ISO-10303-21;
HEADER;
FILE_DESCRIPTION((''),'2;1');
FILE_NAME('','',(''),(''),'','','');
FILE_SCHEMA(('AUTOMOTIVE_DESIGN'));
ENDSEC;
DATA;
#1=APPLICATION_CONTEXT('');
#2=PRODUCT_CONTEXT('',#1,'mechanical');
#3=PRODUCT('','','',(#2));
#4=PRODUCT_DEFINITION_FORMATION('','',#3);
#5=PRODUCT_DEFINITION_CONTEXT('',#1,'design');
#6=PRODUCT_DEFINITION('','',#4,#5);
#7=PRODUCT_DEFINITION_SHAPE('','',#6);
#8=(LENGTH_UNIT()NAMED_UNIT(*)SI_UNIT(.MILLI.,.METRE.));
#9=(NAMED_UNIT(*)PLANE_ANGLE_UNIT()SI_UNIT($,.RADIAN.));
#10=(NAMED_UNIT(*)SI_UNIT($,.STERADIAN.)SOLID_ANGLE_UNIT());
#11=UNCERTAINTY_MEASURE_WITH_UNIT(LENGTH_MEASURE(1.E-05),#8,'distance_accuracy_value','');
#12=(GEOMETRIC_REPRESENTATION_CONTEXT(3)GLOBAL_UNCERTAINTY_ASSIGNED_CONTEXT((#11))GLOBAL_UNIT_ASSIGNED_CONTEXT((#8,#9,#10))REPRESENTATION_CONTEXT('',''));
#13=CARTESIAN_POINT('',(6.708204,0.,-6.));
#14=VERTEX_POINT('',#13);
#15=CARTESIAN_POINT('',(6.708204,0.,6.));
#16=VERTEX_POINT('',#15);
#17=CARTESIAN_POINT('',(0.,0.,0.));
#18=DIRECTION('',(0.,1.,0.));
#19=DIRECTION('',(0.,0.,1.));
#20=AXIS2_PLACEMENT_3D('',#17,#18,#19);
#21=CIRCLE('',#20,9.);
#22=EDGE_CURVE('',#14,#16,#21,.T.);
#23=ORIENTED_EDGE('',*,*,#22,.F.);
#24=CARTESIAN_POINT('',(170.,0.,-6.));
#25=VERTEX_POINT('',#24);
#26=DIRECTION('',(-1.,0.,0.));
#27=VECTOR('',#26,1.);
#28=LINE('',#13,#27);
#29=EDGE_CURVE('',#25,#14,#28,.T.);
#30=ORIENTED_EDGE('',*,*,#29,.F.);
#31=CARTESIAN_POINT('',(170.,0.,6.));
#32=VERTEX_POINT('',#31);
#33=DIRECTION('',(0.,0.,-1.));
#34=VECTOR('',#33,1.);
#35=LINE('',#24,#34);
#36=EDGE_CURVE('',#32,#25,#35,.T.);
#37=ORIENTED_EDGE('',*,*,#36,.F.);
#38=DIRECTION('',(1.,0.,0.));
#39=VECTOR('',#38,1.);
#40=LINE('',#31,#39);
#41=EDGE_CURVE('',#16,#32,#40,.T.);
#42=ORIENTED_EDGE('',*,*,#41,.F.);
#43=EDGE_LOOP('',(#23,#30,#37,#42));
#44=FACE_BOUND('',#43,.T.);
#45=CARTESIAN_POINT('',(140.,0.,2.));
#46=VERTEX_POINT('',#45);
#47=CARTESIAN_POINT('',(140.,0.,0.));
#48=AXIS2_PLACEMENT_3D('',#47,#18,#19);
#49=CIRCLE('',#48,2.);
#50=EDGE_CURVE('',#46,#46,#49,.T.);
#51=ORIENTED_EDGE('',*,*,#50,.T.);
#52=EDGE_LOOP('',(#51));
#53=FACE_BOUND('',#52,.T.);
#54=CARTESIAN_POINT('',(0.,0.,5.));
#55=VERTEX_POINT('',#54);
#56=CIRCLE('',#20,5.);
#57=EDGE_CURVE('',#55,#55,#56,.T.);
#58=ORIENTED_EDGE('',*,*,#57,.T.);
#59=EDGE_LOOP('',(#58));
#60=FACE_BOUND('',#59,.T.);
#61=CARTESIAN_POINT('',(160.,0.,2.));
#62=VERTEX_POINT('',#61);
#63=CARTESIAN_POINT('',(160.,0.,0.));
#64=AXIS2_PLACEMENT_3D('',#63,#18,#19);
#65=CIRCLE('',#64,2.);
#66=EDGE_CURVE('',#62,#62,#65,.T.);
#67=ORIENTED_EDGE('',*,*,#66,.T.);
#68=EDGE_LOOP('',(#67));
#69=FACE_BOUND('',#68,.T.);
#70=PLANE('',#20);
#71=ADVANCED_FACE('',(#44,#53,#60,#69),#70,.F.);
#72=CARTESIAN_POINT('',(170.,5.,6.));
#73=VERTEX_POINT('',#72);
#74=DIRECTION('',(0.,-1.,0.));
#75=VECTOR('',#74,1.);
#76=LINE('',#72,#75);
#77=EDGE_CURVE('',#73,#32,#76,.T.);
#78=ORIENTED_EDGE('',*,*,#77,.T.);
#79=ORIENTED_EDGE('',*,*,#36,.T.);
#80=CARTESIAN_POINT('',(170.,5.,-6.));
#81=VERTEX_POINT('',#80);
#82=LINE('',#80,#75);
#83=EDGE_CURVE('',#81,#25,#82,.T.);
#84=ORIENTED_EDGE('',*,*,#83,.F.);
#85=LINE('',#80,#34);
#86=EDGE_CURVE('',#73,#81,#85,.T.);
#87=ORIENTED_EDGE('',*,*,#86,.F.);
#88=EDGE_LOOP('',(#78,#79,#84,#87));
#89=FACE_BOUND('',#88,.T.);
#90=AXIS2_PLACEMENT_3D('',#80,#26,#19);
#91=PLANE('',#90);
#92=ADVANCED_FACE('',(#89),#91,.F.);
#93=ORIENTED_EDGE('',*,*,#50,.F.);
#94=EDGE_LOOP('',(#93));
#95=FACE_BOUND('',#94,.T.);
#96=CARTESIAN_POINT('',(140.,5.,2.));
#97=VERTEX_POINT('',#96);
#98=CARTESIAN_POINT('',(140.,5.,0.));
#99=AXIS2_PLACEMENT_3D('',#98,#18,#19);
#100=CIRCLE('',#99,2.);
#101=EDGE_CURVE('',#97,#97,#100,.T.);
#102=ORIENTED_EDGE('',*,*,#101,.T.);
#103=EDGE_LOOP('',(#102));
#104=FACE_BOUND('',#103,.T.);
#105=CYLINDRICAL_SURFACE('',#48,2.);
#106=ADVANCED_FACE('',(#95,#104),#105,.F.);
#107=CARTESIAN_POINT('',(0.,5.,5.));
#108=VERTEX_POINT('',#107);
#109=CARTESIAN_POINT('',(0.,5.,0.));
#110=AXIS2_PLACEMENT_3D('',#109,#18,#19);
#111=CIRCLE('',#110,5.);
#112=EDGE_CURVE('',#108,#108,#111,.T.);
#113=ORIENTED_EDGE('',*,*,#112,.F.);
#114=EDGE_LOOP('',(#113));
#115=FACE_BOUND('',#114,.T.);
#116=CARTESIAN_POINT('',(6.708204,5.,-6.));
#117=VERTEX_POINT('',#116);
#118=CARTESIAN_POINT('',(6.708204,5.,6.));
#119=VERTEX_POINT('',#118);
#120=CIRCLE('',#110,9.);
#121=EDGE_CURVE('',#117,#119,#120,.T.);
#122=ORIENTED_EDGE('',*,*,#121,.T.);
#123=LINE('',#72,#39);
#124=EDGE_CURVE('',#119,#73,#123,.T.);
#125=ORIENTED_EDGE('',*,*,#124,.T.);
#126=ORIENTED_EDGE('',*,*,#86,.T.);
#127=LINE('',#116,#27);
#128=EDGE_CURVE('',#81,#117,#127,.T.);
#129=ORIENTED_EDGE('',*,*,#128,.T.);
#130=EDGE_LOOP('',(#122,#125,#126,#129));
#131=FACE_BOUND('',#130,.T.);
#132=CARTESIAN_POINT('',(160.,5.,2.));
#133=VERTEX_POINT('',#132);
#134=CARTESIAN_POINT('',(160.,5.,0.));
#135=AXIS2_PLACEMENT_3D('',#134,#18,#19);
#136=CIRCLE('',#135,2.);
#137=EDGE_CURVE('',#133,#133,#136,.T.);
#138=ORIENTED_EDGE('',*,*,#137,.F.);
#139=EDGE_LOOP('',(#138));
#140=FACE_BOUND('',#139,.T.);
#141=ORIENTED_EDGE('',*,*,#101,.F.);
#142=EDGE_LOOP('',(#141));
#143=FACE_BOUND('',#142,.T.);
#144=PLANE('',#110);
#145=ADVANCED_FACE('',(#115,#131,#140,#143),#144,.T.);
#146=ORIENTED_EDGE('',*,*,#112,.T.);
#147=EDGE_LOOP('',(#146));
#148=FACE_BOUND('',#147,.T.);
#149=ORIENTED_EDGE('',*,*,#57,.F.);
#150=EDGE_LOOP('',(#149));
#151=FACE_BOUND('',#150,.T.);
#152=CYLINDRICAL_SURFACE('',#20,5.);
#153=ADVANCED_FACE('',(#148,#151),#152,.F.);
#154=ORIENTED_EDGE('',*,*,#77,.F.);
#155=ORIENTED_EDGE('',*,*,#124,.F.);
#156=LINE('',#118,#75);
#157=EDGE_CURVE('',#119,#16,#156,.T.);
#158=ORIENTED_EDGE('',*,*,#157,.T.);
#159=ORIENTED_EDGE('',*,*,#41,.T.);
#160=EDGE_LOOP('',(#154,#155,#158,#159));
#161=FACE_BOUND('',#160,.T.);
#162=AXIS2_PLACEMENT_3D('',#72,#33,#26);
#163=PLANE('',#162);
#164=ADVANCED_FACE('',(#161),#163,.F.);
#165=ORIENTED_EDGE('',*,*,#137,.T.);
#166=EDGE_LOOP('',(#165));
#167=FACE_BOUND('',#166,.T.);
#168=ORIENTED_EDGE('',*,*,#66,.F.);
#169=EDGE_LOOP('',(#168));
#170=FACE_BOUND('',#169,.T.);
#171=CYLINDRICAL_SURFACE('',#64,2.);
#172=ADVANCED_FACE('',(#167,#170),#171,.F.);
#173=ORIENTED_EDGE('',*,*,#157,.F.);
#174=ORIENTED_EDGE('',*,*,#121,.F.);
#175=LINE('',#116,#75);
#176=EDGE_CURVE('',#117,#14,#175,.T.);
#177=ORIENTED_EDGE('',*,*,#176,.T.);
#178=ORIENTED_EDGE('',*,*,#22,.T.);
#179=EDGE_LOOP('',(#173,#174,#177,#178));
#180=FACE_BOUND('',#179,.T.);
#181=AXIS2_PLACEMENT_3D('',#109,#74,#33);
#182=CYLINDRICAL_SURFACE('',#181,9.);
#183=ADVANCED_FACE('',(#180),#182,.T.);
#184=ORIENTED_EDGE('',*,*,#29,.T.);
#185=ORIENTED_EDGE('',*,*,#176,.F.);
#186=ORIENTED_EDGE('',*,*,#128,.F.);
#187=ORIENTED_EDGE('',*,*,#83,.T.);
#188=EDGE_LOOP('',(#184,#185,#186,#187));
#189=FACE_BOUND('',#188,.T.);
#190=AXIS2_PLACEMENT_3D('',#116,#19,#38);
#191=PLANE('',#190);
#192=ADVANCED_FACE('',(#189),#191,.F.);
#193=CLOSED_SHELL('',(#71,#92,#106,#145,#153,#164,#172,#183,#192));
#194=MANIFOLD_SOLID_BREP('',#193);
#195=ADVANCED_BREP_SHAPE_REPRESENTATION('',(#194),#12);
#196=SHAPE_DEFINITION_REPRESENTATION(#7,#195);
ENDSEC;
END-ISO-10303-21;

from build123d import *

# Parameters (mm, degrees)
BOSS_EXTRUDE1_DEPTH = 5
SKETCH2_R           = 5
SKETCH2_R_2         = 2
CUT_EXTRUDE1_DEPTH  = 171.311479355


with BuildPart() as part:
    # Sketch1 → Boss-Extrude1 (new body)
    with BuildSketch(Plane(origin=(0, 0, 0), x_dir=(1, 0, 0), z_dir=(0, 1, 0))):
        with BuildLine():
            Line((6.708203932, 6), (170, 6))
            Line((170, 6), (170, -6))
            Line((170, -6), (6.708203932, -6))
            ThreePointArc((6.708203932, -6), (-9, 0), (6.708203932, 6))
        make_face()
    extrude(amount=BOSS_EXTRUDE1_DEPTH)

    # Sketch2 → Cut-Extrude1 (cut, through all)
    with BuildSketch(Plane(origin=(0, 5, 0), x_dir=(1, 0, 0), z_dir=(0, 1, 0))):
        with Locations(Location((0, 0, 0), (0, 0, 270))):
            Circle(SKETCH2_R)
        with Locations(Location((160, 0, 0), (0, 0, 270))):
            Circle(SKETCH2_R_2)
        with Locations(Location((140, 0, 0), (0, 0, 270))):
            Circle(SKETCH2_R_2)
    extrude(amount=-CUT_EXTRUDE1_DEPTH, mode=Mode.SUBTRACT)


solid = part.part
